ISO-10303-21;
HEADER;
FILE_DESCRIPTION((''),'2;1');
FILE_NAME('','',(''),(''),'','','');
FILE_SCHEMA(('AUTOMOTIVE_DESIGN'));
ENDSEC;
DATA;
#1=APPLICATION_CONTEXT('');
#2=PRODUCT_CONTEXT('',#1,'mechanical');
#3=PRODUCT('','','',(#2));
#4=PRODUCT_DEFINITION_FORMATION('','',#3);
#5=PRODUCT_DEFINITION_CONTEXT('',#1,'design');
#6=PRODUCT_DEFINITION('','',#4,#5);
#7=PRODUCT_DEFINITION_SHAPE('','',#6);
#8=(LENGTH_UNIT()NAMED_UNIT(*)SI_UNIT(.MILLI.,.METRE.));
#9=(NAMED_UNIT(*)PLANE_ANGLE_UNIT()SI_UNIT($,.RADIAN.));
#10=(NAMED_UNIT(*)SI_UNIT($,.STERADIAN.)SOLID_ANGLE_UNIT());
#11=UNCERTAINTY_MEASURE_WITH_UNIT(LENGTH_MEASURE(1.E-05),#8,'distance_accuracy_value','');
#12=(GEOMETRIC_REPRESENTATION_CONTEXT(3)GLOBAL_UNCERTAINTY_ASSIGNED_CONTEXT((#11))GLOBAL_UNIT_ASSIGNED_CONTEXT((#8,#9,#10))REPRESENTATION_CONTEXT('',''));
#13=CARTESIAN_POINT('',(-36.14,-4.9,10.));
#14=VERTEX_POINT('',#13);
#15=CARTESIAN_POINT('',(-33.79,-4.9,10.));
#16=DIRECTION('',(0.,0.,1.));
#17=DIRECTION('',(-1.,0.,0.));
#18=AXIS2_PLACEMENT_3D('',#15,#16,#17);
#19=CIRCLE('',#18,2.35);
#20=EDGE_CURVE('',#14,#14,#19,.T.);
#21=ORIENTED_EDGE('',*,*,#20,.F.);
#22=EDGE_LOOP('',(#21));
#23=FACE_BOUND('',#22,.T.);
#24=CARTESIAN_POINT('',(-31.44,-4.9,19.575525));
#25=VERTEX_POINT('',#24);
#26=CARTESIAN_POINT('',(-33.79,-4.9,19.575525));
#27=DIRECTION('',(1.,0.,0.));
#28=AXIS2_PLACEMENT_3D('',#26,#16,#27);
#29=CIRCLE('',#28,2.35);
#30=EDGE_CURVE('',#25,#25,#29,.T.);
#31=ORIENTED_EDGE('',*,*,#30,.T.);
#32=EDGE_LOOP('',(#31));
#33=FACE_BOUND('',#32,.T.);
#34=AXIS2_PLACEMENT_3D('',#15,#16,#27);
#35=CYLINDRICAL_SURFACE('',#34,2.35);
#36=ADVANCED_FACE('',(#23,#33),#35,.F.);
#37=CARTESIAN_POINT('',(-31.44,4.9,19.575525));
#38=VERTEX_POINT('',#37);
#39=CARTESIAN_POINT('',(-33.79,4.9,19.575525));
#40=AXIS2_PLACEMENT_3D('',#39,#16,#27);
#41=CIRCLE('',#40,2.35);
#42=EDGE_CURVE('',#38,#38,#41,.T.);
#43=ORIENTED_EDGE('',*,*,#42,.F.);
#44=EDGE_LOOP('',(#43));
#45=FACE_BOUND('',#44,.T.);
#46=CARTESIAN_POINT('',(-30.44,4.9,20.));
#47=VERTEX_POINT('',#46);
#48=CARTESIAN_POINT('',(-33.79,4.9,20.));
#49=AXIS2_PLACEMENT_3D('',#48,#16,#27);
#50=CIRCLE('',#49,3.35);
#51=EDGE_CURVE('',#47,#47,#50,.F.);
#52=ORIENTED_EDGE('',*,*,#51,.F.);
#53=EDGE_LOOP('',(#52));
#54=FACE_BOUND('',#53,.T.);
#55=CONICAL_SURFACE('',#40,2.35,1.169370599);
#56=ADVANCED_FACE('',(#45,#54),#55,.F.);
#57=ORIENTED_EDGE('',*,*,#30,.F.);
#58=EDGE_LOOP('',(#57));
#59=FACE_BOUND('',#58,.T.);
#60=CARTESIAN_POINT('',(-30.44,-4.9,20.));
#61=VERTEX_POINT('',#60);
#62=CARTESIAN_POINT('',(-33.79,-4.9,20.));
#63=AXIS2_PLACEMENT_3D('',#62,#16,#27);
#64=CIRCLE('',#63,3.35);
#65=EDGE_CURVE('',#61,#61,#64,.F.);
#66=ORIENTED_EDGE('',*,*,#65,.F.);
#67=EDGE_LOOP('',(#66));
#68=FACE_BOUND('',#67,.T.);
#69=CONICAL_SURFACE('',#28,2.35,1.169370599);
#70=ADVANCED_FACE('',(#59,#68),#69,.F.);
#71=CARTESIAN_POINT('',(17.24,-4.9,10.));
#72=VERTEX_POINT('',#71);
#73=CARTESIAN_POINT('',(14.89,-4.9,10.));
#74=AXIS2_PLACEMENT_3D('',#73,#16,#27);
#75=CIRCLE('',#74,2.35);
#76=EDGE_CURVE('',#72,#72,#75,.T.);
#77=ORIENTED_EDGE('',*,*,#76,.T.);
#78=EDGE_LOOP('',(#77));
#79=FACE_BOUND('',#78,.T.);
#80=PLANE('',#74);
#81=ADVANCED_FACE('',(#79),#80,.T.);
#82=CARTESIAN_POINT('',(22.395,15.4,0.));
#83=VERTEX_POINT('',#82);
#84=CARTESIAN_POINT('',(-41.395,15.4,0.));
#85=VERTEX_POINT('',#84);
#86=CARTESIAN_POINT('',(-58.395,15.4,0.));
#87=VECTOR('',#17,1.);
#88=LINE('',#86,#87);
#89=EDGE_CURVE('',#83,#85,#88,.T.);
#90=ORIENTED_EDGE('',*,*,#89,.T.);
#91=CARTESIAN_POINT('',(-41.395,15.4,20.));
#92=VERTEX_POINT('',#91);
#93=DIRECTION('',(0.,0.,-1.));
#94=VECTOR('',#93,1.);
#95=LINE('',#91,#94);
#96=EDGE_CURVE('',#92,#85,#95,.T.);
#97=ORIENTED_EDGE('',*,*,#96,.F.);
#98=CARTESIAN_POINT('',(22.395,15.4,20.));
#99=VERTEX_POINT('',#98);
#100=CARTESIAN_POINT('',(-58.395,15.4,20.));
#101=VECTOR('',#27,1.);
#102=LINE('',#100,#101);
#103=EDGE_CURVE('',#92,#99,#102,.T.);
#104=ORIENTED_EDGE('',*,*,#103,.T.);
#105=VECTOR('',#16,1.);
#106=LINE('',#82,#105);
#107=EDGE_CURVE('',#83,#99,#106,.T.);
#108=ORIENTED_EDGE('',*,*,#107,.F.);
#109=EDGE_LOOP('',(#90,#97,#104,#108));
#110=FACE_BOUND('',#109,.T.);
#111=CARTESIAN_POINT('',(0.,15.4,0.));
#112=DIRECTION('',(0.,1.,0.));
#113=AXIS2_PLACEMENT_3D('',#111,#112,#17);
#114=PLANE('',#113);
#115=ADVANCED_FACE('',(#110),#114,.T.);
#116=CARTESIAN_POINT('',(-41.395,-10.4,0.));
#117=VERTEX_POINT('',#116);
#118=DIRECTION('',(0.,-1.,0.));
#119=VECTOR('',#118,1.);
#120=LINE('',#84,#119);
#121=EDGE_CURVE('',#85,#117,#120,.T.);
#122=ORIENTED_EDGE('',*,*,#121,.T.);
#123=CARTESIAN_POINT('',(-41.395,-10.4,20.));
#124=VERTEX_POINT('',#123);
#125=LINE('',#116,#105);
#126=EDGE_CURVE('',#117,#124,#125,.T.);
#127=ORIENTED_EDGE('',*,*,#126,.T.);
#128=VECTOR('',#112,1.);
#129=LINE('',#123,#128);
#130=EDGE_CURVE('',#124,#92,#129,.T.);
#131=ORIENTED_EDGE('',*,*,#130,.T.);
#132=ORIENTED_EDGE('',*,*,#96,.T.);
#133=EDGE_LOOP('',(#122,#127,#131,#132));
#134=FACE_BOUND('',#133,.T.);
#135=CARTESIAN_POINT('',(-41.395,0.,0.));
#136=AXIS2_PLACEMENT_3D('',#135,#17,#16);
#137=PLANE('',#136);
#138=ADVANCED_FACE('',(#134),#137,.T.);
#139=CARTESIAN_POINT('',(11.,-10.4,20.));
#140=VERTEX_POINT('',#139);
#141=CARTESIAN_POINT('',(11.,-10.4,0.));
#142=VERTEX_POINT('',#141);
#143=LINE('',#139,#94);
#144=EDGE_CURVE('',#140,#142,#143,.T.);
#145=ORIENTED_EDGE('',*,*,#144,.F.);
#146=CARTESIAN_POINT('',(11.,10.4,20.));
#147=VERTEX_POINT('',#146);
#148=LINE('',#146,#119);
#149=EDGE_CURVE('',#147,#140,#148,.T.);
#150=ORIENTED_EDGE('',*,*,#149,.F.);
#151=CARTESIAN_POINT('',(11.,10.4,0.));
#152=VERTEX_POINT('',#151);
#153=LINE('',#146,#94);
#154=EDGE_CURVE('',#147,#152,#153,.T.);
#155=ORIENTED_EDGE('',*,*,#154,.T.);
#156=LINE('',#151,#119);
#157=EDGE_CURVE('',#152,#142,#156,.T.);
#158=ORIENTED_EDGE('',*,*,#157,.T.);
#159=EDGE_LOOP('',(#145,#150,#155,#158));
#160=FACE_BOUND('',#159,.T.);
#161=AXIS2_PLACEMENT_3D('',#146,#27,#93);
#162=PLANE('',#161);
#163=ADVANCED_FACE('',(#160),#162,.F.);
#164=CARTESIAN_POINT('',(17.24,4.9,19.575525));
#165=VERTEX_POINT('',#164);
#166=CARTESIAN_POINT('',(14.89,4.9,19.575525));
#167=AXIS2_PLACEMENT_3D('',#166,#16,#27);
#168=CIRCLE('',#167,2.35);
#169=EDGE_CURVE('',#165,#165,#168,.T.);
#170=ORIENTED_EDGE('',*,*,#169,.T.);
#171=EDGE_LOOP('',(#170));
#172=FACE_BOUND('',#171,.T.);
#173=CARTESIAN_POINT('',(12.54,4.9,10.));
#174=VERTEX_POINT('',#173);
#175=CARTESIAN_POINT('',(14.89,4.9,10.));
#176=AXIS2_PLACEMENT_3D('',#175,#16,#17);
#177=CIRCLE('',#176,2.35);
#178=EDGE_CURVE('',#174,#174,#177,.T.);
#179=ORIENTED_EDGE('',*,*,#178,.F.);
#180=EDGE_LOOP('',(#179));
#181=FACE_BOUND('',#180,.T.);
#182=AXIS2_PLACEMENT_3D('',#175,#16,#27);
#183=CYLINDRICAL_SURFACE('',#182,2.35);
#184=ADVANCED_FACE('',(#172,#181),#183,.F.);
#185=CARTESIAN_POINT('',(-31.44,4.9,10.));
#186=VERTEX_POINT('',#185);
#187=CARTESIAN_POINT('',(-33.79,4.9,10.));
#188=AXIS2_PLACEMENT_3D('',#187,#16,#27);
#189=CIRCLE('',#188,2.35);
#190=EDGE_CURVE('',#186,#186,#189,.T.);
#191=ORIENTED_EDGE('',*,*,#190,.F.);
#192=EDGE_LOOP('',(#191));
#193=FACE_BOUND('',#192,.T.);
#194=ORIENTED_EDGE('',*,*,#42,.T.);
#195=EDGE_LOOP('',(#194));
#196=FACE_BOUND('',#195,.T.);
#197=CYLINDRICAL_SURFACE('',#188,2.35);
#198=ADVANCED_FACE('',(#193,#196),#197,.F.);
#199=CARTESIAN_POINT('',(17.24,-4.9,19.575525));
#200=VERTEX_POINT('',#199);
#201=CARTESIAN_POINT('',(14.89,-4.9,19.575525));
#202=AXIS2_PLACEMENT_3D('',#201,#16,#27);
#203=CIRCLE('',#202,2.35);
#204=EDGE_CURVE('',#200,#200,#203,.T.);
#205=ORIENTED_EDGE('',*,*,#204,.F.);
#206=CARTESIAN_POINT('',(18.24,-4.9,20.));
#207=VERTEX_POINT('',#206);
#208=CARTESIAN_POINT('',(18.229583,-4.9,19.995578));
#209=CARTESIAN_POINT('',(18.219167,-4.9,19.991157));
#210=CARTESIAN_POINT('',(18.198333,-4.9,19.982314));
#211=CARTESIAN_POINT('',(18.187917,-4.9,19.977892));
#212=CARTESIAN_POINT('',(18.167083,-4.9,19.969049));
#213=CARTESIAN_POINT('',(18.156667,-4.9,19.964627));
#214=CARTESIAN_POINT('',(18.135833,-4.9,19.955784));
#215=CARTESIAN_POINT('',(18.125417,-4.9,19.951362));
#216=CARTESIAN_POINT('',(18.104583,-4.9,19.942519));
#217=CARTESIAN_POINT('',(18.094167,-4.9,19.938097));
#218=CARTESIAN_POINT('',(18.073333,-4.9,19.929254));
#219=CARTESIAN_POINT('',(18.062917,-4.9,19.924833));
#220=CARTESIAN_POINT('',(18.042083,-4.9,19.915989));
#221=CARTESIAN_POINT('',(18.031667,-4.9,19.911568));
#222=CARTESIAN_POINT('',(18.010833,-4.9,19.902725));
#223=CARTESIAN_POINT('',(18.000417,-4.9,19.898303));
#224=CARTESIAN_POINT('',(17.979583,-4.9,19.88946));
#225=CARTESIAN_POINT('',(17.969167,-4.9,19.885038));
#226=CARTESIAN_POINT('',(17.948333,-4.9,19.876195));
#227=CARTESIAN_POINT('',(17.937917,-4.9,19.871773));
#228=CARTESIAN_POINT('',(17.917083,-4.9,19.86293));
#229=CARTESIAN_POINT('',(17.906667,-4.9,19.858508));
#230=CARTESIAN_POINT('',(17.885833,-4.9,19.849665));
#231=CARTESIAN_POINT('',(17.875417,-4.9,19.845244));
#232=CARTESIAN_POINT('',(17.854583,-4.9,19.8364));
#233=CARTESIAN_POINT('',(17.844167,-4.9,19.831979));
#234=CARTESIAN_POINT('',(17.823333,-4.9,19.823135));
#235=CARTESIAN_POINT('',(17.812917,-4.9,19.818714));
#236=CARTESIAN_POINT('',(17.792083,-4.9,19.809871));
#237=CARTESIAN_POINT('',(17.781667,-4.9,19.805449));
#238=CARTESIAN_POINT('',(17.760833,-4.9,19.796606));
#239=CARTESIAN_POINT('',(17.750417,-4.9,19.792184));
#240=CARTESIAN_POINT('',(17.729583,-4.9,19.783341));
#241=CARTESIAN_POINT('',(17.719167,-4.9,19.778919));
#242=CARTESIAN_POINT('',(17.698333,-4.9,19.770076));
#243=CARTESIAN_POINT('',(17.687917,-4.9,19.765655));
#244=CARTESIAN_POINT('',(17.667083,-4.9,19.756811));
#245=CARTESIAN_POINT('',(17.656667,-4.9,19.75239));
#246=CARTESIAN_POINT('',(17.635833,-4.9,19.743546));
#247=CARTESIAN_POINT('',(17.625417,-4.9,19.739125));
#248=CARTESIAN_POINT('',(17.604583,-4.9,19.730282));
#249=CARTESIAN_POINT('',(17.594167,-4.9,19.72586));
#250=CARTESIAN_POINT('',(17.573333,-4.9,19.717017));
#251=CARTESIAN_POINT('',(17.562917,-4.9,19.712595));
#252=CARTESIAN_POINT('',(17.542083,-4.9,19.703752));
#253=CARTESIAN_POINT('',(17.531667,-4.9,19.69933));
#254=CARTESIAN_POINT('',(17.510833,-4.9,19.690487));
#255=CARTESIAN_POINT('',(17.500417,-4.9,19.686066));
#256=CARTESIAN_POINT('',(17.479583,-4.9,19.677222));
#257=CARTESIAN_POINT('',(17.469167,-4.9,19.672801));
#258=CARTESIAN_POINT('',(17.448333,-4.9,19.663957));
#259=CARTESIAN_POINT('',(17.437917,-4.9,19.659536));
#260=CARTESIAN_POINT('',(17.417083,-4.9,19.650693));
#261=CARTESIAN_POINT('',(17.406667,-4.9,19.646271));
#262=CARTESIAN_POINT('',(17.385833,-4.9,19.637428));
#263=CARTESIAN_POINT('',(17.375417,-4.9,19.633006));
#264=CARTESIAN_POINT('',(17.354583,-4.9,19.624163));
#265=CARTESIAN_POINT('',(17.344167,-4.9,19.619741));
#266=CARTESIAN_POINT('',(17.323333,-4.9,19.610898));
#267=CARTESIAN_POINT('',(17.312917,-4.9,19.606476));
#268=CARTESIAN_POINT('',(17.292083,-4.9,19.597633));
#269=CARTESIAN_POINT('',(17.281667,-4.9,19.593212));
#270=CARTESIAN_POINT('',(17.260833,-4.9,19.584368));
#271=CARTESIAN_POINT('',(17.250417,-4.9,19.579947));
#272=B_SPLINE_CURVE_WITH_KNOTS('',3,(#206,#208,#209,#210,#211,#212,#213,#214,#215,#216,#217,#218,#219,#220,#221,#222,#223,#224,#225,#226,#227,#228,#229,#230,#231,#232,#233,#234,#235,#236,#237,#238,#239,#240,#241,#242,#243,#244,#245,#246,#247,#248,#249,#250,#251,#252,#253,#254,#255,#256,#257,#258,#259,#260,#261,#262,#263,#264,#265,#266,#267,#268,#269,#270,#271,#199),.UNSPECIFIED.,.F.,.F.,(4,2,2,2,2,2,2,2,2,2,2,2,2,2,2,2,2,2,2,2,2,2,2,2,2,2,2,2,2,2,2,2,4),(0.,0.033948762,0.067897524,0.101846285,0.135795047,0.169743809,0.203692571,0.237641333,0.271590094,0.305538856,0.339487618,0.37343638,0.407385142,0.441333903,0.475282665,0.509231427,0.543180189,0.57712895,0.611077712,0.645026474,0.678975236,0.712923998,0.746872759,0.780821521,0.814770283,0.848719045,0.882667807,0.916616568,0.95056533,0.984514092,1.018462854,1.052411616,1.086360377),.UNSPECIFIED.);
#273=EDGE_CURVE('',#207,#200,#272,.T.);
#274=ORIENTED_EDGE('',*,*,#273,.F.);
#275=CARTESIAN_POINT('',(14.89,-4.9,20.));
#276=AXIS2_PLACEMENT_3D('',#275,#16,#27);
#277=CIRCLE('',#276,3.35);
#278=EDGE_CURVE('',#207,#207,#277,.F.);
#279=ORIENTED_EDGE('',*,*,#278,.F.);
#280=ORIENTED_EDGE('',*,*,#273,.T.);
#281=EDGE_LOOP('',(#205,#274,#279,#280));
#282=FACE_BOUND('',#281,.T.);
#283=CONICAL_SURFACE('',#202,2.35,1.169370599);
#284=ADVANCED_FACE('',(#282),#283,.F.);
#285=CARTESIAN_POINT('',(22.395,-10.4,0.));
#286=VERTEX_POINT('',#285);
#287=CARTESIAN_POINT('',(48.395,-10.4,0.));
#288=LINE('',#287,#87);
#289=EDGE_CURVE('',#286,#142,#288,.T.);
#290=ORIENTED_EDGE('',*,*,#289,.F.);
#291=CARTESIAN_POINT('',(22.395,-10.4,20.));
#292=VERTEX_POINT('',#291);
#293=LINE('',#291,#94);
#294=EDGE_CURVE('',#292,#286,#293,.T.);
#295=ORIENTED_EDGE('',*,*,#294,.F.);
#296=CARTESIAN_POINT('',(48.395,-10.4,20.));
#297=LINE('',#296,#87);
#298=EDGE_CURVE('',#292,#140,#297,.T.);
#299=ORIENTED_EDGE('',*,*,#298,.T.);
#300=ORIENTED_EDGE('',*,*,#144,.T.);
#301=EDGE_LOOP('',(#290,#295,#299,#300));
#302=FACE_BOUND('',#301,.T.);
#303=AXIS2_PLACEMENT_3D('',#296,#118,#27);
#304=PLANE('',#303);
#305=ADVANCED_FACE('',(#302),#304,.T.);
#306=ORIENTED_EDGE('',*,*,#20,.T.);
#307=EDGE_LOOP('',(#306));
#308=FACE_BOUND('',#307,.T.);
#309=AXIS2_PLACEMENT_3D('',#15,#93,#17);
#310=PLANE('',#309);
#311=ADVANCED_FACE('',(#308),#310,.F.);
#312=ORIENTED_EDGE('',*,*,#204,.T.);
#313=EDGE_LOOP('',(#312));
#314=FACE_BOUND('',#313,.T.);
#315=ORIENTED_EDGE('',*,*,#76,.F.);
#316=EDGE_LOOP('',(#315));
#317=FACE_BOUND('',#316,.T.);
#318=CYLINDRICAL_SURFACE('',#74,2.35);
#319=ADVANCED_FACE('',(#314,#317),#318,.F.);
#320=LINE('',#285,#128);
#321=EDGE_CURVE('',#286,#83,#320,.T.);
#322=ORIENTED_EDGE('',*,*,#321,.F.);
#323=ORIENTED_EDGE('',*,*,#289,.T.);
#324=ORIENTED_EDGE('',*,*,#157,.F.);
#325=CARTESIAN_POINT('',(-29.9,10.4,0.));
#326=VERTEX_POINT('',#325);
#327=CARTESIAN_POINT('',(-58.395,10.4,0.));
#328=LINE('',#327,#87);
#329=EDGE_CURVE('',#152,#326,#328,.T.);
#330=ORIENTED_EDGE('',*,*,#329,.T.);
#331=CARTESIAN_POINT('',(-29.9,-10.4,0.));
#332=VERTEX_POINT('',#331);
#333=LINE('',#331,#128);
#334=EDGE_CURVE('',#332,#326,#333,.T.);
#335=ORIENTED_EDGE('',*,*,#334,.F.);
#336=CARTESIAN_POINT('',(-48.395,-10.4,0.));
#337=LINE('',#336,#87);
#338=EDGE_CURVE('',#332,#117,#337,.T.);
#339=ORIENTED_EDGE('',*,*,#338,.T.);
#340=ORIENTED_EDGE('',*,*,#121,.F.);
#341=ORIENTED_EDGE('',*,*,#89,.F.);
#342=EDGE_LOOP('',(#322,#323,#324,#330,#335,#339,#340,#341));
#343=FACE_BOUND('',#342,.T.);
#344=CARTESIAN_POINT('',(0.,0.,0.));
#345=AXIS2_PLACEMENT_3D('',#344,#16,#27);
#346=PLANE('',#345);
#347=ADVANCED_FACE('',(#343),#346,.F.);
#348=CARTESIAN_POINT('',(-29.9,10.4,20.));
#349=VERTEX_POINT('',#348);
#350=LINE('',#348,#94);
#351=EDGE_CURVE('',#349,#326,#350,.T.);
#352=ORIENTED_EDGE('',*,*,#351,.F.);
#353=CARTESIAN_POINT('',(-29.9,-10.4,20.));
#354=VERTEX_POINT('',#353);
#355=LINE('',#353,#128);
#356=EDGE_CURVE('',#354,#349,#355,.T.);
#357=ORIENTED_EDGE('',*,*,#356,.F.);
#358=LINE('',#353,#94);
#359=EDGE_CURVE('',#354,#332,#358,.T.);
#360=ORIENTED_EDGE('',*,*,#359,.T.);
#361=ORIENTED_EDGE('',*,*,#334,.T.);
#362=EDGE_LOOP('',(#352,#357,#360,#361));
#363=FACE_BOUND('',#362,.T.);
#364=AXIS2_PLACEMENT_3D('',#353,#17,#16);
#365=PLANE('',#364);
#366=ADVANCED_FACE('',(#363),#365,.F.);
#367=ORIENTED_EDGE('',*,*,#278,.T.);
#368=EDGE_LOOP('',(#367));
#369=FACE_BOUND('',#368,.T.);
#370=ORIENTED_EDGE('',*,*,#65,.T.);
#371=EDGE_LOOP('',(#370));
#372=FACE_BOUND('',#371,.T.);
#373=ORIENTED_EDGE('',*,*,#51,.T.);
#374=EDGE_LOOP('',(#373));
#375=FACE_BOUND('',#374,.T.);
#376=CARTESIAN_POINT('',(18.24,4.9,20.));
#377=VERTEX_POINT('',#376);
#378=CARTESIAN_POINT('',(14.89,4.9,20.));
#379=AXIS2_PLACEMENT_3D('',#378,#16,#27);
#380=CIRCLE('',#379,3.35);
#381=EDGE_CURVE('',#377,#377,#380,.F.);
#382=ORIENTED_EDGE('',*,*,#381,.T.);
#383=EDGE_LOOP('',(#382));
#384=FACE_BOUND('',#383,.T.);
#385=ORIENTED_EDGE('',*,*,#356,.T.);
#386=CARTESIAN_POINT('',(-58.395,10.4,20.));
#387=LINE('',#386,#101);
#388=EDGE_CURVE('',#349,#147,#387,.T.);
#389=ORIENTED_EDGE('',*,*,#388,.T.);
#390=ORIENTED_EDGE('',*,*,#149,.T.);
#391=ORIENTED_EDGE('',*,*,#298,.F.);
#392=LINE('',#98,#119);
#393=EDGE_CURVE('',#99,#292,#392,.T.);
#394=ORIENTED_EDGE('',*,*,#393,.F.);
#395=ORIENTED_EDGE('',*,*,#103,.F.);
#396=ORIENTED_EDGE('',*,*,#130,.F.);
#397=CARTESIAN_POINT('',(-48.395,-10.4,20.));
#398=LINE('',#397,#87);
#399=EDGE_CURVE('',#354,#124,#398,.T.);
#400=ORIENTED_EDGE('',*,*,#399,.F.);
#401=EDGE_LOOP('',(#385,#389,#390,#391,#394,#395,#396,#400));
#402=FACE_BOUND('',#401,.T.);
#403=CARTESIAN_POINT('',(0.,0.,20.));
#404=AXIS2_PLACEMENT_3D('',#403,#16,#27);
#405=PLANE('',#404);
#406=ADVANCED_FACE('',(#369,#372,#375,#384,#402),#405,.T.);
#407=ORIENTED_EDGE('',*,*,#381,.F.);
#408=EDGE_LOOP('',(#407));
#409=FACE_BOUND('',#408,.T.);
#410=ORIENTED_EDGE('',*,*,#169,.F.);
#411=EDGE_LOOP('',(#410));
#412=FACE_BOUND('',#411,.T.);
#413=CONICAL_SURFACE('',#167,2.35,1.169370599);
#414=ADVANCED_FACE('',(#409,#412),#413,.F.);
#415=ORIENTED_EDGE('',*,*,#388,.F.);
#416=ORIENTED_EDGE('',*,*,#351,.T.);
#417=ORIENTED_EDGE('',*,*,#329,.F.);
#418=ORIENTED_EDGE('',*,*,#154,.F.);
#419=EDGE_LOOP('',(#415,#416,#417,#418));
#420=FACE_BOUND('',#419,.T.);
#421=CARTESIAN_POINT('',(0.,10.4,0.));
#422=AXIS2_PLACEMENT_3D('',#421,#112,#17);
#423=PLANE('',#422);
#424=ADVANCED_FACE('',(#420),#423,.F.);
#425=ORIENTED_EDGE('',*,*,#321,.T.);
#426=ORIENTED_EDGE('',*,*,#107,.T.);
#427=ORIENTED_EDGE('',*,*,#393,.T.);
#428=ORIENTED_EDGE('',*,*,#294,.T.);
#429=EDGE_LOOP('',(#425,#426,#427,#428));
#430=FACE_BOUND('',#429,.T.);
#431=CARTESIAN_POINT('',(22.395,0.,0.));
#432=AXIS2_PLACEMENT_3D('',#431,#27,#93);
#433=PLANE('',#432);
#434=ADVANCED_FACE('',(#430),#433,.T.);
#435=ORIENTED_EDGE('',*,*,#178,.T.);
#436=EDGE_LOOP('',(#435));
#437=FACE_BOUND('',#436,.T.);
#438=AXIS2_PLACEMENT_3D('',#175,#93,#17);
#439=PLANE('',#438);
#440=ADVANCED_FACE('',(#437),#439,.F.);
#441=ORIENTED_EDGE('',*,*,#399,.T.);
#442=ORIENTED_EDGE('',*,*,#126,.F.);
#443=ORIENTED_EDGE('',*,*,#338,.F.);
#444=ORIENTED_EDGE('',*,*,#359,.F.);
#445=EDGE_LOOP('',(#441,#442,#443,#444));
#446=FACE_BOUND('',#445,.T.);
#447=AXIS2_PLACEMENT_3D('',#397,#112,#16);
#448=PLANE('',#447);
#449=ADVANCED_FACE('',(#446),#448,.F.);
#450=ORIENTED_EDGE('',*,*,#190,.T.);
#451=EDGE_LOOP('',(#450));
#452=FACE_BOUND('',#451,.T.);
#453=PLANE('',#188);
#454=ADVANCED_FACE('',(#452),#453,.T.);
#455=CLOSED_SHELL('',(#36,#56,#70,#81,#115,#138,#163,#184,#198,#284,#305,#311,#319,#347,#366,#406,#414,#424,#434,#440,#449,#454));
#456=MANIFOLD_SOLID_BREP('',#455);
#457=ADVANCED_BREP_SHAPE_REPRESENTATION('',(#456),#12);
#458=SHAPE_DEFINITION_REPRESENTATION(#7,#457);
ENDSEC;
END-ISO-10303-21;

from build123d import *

# Parameters (mm, degrees)
SKETCH1_W           = 18.495
SKETCH1_H           = 20.8
SKETCH1_W_2         = 10
SKETCH1_W_3         = 37.395
BOSS_EXTRUDE1_DEPTH = 20
SKETCH6_W           = 106.79
SKETCH6_H           = 20
BOSS_EXTRUDE4_DEPTH = 5
SKETCH9_R           = 2.35
CUT_EXTRUDE1_DEPTH  = 10
SKETCH10_W          = 20
SKETCH10_H          = 25.8
CUT_EXTRUDE2_DEPTH  = 17
SKETCH11_W          = 20
SKETCH11_H          = 25.8
CUT_EXTRUDE3_DEPTH  = 26
CHAMFER1_SIZE       = 1
CHAMFER1_SIZE2      = 0.424474816


with BuildPart() as part:
    # Sketch1 → Boss-Extrude1 (new body)
    with BuildSketch(Plane.XY):
        with Locations((-39.1475, 0)):
            Rectangle(SKETCH1_W, SKETCH1_H)
        with Locations((-53.395, 0)):
            Rectangle(SKETCH1_W_2, SKETCH1_H)
        with Locations((29.6975, 0)):
            Rectangle(SKETCH1_W_3, SKETCH1_H)
    extrude(amount=BOSS_EXTRUDE1_DEPTH)

    # Sketch6 → Boss-Extrude4 (add)
    with BuildSketch(Plane(origin=(0, 10.4, 0), x_dir=(1, 0, 0), z_dir=(0, 1, 0))):
        with Locations((-5, -10)):
            Rectangle(SKETCH6_W, SKETCH6_H)
    extrude(amount=BOSS_EXTRUDE4_DEPTH)

    # Sketch9 → Cut-Extrude1 (cut)
    with BuildSketch(Plane.XY.offset(20)):
        with Locations((14.89, -4.9)):
            Circle(SKETCH9_R)
        with Locations(Location((14.89, 4.9, 0), (0, 0, 180))):
            Circle(SKETCH9_R)
        with Locations(Location((-33.79, -4.9, 0), (0, 0, 180))):
            Circle(SKETCH9_R)
        with Locations((-33.79, 4.9)):
            Circle(SKETCH9_R)
    extrude(amount=-CUT_EXTRUDE1_DEPTH, mode=Mode.SUBTRACT)

    # Sketch10 → Cut-Extrude2 (cut)
    with BuildSketch(Plane.ZY.offset(58.395)):
        with Locations((10, 2.5)):
            Rectangle(SKETCH10_W, SKETCH10_H)
    extrude(amount=-CUT_EXTRUDE2_DEPTH, mode=Mode.SUBTRACT)

    # Sketch11 → Cut-Extrude3 (cut)
    with BuildSketch(Plane(origin=(48.395, 0, 0), x_dir=(0, 0, -1), z_dir=(1, 0, 0))):
        with Locations((-10, 2.5)):
            Rectangle(SKETCH11_W, SKETCH11_H)
    extrude(amount=-CUT_EXTRUDE3_DEPTH, mode=Mode.SUBTRACT)

    # Chamfer1
    chamfer1_edges = [part.edges().sort_by_distance(p)[0] for p in [
        (17.24, 4.9, 20),
        (-31.44, -4.9, 20),
        (-36.14, 4.9, 20),
        (12.54, -4.9, 20),
    ]]
    chamfer1_side = [part.faces().sort_by_distance(p)[0] for p in [
        (-35.6475, -9.711900872, 20),
    ]]
    chamfer(chamfer1_edges, length=CHAMFER1_SIZE, length2=CHAMFER1_SIZE2, reference=chamfer1_side[0])


solid = part.part
